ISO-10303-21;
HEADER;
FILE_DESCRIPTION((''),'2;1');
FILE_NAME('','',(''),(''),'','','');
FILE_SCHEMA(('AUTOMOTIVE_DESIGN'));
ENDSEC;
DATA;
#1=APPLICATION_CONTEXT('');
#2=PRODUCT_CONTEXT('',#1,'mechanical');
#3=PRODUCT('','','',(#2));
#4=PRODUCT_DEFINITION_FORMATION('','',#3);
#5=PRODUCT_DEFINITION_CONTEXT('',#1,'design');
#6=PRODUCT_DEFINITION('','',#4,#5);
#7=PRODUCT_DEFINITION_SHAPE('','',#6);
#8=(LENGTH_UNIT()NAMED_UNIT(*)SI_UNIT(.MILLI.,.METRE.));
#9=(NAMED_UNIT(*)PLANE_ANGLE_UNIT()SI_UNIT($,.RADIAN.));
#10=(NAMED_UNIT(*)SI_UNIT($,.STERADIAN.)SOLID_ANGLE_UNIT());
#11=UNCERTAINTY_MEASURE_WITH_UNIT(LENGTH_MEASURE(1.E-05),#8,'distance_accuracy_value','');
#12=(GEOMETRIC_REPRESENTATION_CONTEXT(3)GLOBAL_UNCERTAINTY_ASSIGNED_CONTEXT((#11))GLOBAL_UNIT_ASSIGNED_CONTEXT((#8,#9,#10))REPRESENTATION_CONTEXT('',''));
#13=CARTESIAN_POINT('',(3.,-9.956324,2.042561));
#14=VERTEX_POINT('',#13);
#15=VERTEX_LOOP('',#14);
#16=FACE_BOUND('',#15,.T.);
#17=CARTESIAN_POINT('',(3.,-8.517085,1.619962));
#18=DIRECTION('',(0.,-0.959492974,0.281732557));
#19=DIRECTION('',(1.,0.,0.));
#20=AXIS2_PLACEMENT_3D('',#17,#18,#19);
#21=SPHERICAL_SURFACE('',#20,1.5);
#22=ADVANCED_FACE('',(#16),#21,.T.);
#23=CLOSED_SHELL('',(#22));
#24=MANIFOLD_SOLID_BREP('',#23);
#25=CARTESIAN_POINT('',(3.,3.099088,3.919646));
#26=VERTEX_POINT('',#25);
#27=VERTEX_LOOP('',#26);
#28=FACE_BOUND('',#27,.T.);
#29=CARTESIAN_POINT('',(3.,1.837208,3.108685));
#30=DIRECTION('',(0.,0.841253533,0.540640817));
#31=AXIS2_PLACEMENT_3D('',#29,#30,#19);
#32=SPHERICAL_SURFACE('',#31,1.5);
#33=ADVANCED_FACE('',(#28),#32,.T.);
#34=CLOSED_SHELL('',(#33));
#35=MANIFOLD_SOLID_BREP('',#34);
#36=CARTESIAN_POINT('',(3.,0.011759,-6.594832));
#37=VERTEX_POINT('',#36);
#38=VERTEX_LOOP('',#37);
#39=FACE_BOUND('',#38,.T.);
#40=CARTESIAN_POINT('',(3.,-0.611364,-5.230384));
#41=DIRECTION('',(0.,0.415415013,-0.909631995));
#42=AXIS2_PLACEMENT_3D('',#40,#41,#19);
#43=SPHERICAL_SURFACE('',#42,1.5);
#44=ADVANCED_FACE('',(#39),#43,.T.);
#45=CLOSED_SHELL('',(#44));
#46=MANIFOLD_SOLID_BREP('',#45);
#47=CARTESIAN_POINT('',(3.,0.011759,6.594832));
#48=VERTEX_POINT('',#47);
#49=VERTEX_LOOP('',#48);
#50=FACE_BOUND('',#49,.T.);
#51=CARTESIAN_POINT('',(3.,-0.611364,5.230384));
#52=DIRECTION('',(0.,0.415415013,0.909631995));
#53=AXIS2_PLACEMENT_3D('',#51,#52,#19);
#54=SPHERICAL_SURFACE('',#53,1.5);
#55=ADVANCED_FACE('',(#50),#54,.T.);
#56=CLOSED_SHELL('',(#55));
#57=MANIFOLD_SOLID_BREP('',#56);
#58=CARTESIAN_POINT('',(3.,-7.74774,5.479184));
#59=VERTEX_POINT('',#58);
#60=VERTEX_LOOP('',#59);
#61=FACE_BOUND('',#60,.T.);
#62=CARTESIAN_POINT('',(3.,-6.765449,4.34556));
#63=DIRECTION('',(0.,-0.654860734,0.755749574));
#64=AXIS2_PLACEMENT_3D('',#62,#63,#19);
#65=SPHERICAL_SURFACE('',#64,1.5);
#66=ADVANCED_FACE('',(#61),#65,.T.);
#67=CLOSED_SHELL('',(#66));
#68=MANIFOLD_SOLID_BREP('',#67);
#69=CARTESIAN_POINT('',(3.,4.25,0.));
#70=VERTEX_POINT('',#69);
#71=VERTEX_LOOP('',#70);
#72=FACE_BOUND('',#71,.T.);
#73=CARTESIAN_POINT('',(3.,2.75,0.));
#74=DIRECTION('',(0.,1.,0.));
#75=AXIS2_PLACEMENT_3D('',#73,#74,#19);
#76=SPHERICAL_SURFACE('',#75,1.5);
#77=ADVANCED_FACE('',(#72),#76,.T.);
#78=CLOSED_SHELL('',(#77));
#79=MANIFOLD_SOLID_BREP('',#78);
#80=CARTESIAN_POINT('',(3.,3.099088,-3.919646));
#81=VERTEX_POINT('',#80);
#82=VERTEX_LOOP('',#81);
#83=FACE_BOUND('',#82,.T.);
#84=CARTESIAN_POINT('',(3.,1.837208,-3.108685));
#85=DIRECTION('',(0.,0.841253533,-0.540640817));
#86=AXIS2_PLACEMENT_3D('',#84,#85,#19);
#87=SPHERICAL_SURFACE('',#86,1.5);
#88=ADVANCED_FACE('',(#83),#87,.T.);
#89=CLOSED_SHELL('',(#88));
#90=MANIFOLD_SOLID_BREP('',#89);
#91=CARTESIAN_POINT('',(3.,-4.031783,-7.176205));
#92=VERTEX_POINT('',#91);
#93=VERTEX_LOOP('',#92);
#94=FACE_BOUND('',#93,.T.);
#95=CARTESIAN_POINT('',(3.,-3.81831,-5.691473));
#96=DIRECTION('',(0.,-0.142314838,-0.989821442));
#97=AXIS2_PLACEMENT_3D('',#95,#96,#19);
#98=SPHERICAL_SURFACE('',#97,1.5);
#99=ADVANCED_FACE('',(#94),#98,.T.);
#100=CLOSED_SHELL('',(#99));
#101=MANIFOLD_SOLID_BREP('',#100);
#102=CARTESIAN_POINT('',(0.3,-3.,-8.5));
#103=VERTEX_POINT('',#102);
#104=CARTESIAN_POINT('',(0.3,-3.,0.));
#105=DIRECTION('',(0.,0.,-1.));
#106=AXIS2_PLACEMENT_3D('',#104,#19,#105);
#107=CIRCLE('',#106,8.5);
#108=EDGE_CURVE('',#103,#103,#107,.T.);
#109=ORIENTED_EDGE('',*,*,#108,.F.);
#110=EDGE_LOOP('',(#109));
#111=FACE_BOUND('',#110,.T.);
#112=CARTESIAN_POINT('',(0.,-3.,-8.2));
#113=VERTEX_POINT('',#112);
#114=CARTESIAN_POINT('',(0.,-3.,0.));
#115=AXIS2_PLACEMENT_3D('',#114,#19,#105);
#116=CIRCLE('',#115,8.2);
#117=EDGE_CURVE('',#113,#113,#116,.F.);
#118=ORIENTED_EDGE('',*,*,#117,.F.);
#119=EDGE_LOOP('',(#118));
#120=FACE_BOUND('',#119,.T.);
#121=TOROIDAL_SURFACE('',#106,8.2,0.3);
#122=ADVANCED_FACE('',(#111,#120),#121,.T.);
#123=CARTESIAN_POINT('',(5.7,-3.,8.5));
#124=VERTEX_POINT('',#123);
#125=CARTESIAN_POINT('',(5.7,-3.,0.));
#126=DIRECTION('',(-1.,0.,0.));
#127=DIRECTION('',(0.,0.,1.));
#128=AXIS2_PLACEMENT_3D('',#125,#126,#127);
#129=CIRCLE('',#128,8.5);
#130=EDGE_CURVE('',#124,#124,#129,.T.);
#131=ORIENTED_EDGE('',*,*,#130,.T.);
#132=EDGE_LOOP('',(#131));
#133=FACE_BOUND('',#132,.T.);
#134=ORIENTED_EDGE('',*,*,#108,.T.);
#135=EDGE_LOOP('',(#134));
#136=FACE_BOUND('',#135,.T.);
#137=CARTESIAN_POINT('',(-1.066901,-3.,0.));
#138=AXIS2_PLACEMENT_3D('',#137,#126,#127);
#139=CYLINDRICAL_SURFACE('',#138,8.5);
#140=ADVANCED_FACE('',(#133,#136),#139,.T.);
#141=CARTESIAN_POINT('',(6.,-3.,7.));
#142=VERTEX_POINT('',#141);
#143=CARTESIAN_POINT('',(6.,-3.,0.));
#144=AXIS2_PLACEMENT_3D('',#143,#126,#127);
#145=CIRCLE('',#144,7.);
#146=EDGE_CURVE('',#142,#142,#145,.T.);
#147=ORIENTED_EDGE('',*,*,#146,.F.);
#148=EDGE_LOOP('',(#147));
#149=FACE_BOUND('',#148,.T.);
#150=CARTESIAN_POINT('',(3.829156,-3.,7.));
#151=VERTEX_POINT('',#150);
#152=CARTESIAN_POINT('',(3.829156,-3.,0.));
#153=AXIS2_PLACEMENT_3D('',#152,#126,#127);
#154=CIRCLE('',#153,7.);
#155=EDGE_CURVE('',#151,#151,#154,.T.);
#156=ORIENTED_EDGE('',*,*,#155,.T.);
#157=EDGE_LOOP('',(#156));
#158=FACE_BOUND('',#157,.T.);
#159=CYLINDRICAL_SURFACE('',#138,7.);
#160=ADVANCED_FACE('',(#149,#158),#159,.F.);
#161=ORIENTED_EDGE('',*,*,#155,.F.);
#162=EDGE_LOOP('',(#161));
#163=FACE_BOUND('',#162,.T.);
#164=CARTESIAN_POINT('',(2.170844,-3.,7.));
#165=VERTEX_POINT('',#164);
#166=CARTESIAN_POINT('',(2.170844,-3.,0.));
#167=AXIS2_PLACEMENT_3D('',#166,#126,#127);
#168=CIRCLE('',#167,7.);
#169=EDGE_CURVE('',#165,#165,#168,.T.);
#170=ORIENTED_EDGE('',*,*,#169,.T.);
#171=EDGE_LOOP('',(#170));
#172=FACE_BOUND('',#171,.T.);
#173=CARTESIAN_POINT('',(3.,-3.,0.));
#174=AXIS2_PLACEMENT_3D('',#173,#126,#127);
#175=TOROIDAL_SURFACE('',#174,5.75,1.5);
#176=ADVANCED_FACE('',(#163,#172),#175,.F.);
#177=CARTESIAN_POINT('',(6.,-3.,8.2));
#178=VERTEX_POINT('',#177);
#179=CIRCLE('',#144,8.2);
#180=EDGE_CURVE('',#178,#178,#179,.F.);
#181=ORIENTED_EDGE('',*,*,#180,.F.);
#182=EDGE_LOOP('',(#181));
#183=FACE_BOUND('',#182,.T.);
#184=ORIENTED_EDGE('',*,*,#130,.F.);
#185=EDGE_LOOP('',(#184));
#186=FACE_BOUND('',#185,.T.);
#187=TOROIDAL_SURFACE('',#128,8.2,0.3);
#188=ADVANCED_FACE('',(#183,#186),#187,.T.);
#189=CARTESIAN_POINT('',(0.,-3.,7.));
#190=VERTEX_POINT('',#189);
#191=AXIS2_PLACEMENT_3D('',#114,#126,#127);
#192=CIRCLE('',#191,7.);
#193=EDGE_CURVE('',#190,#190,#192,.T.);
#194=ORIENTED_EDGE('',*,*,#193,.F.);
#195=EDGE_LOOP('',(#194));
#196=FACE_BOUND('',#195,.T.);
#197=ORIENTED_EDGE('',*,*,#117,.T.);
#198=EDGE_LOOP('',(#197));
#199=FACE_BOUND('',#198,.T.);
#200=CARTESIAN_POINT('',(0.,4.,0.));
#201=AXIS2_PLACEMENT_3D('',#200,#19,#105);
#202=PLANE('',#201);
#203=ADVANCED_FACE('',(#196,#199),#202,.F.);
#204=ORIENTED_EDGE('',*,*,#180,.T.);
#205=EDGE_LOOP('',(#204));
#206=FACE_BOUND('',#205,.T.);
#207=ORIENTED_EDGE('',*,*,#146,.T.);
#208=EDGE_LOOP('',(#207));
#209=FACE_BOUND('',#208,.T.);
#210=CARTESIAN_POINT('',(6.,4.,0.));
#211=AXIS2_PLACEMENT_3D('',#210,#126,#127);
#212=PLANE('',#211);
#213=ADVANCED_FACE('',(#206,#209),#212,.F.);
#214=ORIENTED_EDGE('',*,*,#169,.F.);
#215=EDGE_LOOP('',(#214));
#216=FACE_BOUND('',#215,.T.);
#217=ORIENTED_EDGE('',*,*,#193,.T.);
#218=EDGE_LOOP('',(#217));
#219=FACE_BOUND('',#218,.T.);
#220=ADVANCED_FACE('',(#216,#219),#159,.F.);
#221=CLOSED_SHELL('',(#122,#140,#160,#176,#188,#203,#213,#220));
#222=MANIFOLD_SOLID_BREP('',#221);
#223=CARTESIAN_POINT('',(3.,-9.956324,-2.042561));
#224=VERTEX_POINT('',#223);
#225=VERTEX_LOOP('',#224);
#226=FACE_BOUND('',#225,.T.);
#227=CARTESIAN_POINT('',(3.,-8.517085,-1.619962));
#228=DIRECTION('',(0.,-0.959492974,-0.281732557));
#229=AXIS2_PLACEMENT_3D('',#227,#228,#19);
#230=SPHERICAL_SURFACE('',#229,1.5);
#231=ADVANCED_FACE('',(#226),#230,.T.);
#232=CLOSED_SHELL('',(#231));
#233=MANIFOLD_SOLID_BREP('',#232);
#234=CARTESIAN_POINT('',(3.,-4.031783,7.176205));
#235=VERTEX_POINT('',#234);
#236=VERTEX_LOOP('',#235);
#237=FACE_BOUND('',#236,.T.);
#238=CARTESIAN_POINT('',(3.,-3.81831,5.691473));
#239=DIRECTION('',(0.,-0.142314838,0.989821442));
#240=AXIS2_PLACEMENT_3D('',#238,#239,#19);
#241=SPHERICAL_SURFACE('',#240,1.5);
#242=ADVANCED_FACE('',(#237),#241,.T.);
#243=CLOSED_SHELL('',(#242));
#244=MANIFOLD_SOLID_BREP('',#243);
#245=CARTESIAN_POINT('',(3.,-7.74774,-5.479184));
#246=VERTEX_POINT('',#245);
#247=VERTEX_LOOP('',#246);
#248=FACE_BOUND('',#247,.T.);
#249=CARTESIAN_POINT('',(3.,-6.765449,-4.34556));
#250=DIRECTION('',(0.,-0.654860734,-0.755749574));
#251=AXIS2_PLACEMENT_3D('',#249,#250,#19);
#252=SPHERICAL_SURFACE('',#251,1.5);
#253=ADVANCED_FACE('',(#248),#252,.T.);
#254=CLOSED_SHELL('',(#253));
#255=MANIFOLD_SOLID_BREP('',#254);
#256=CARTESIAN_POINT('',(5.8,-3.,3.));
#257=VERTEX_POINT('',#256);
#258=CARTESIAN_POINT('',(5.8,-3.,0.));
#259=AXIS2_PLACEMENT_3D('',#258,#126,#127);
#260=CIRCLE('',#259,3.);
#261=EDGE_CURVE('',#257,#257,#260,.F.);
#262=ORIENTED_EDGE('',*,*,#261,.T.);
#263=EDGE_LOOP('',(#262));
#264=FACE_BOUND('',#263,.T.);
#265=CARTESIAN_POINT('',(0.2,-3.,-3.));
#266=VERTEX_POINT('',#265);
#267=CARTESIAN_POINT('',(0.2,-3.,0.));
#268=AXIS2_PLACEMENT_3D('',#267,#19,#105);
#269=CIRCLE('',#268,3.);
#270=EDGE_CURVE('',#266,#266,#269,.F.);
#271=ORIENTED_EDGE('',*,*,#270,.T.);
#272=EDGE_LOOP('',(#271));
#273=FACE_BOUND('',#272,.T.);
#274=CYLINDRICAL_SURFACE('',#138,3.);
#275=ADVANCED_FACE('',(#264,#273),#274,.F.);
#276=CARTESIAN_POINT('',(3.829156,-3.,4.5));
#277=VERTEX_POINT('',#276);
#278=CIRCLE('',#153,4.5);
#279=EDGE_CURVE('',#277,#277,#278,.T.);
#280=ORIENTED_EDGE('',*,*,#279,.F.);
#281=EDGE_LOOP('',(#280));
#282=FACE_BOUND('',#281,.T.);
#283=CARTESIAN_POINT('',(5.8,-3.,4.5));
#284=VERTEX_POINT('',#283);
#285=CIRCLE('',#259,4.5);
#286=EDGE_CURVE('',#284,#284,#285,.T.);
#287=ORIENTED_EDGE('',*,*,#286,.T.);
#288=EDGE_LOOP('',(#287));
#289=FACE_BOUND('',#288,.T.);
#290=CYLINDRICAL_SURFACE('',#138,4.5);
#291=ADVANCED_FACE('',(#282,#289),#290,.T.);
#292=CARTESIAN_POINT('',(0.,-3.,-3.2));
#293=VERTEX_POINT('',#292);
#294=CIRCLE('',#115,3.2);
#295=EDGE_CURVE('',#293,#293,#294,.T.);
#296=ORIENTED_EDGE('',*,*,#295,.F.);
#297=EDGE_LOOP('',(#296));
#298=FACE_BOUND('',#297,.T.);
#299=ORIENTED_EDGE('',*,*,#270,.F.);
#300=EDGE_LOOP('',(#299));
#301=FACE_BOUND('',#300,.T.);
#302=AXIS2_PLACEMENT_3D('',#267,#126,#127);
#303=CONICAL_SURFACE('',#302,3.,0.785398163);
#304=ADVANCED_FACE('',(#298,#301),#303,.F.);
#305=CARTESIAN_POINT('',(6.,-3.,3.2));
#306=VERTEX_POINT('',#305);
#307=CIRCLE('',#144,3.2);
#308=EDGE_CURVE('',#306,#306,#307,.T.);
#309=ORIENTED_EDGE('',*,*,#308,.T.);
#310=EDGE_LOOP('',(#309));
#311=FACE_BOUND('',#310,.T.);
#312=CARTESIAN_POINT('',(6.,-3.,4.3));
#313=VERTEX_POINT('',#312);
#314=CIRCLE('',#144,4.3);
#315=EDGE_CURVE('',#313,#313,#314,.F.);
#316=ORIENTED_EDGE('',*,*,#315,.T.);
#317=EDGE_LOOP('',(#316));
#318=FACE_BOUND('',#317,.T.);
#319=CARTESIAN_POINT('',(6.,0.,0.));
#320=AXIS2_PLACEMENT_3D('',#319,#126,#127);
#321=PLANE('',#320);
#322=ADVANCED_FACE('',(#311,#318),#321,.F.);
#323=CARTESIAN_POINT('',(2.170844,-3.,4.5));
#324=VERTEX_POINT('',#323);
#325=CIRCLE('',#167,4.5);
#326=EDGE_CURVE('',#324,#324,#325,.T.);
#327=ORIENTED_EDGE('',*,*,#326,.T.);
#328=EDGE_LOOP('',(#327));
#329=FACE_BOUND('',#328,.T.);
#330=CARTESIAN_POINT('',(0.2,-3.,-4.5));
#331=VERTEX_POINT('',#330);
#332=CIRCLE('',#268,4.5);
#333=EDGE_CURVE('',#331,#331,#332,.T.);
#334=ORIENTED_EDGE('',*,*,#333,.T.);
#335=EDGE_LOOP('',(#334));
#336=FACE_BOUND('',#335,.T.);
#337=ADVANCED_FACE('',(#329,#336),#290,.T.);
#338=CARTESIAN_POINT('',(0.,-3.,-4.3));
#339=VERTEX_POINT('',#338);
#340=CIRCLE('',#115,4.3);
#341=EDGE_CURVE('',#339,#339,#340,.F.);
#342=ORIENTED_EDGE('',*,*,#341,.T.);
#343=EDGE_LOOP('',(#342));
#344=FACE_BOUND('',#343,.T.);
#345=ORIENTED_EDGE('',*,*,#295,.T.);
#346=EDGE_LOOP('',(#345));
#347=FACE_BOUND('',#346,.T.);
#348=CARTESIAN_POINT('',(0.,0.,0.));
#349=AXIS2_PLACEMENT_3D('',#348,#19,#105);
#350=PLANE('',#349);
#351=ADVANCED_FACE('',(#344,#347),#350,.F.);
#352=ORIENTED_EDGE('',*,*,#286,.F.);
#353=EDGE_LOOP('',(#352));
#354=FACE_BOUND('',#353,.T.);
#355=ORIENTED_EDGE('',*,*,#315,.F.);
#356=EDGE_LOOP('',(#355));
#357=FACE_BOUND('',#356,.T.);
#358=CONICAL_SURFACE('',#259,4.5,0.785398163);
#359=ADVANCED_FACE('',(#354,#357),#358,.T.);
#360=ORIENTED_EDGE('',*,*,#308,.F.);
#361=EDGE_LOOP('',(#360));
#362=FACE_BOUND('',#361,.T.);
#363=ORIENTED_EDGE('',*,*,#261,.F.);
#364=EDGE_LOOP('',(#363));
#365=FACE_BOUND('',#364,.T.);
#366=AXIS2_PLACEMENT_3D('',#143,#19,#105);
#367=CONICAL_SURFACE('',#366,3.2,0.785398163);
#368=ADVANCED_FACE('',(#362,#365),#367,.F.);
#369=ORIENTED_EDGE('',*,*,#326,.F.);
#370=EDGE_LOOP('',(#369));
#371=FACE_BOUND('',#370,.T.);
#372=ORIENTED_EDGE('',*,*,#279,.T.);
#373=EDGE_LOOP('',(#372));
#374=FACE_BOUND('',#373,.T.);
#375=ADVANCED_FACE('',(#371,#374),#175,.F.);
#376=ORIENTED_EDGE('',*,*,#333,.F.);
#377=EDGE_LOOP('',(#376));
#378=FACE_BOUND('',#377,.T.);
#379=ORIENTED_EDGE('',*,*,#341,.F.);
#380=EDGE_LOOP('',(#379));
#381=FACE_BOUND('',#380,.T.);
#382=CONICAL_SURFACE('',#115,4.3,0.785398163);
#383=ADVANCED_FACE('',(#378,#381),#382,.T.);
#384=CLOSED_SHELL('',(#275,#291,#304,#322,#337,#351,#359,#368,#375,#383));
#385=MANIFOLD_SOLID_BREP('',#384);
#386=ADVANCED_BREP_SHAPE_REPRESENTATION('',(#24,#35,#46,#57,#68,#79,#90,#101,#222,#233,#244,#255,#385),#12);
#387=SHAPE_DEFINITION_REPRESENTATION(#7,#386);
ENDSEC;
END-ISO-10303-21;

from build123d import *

# Parameters (mm, degrees)
PATTERN_CIRCULAR_5_COUNT = 11
FILLET_1_R               = 0.3
CHAMFER_1_SIZE           = 0.2


with BuildPart() as part:
    # Эскиз1 → Повернуть1 (revolve)
    with BuildSketch(Plane.XY, mode=Mode.PRIVATE) as revolve_1_sk:
        with BuildLine():
            Line((0, 0), (6, 0))
            Line((6, 0), (6, 1.5))
            Line((6, 1.5), (3.829156198, 1.5))
            ThreePointArc((3.829156198, 1.5), (3, 1.25), (2.170843802, 1.5))
            Line((2.170843802, 1.5), (0, 1.5))
            Line((0, 1.5), (0, 0))
        make_face()
        with BuildLine():
            Line((0, 4), (2.170843802, 4))
            ThreePointArc((2.170843802, 4), (3, 4.25), (3.829156198, 4))
            Line((3.829156198, 4), (6, 4))
            Line((6, 4), (6, 5.5))
            Line((6, 5.5), (0, 5.5))
            Line((0, 5.5), (0, 4))
        make_face()
    revolve(revolve_1_sk.sketch.rotate(Axis((-1.066901408, -3, 0), (1, 0, 0)), 90), axis=Axis((-1.066901408, -3, 0), (1, 0, 0)))

    # Скругление1
    fillet_1_edges = [part.edges().sort_by_distance(p)[0] for p in [
        (0, -3, -8.5),
        (6, -3, -8.5),
    ]]
    fillet(fillet_1_edges, radius=FILLET_1_R)

    # Фаска1
    chamfer_1_edges = [part.edges().sort_by_distance(p)[0] for p in [
        (0, -3, -4.5),
        (6, -3, -4.5),
        (6, -3, -3),
        (0, -3, -3),
    ]]
    chamfer(chamfer_1_edges, length=CHAMFER_1_SIZE)


with BuildPart() as body_2:
    # Эскиз2 → Повернуть2 (revolve)
    with BuildSketch(Plane.XY):
        with BuildLine():
            Line((3, 4.25), (3, 1.25))
            ThreePointArc((3, 1.25), (1.5, 2.75), (3, 4.25))
        make_face()
    revolve(axis=Axis((3, 4.25, 0), (0, -1, 0)))


with BuildPart() as pattern_circular_5_1:
    # Круговой массив5: pattern copy
    add(body_2.part.rotate(Axis((0, -3, 0), (1, 0, 0)), 1 * 360 / PATTERN_CIRCULAR_5_COUNT))


with BuildPart() as pattern_circular_5_2:
    # Круговой массив5: pattern copy
    add(body_2.part.rotate(Axis((0, -3, 0), (1, 0, 0)), 2 * 360 / PATTERN_CIRCULAR_5_COUNT))


with BuildPart() as pattern_circular_5_3:
    # Круговой массив5: pattern copy
    add(body_2.part.rotate(Axis((0, -3, 0), (1, 0, 0)), 3 * 360 / PATTERN_CIRCULAR_5_COUNT))


with BuildPart() as pattern_circular_5_4:
    # Круговой массив5: pattern copy
    add(body_2.part.rotate(Axis((0, -3, 0), (1, 0, 0)), 4 * 360 / PATTERN_CIRCULAR_5_COUNT))


with BuildPart() as pattern_circular_5_5:
    # Круговой массив5: pattern copy
    add(body_2.part.rotate(Axis((0, -3, 0), (1, 0, 0)), 5 * 360 / PATTERN_CIRCULAR_5_COUNT))


with BuildPart() as pattern_circular_5_6:
    # Круговой массив5: pattern copy
    add(body_2.part.rotate(Axis((0, -3, 0), (1, 0, 0)), 6 * 360 / PATTERN_CIRCULAR_5_COUNT))


with BuildPart() as pattern_circular_5_7:
    # Круговой массив5: pattern copy
    add(body_2.part.rotate(Axis((0, -3, 0), (1, 0, 0)), 7 * 360 / PATTERN_CIRCULAR_5_COUNT))


with BuildPart() as pattern_circular_5_8:
    # Круговой массив5: pattern copy
    add(body_2.part.rotate(Axis((0, -3, 0), (1, 0, 0)), 8 * 360 / PATTERN_CIRCULAR_5_COUNT))


with BuildPart() as pattern_circular_5_9:
    # Круговой массив5: pattern copy
    add(body_2.part.rotate(Axis((0, -3, 0), (1, 0, 0)), 9 * 360 / PATTERN_CIRCULAR_5_COUNT))


with BuildPart() as pattern_circular_5_10:
    # Круговой массив5: pattern copy
    add(body_2.part.rotate(Axis((0, -3, 0), (1, 0, 0)), 10 * 360 / PATTERN_CIRCULAR_5_COUNT))


solid = Compound([part.part, body_2.part, pattern_circular_5_1.part, pattern_circular_5_2.part, pattern_circular_5_3.part, pattern_circular_5_4.part, pattern_circular_5_5.part, pattern_circular_5_6.part, pattern_circular_5_7.part, pattern_circular_5_8.part, pattern_circular_5_9.part, pattern_circular_5_10.part])
